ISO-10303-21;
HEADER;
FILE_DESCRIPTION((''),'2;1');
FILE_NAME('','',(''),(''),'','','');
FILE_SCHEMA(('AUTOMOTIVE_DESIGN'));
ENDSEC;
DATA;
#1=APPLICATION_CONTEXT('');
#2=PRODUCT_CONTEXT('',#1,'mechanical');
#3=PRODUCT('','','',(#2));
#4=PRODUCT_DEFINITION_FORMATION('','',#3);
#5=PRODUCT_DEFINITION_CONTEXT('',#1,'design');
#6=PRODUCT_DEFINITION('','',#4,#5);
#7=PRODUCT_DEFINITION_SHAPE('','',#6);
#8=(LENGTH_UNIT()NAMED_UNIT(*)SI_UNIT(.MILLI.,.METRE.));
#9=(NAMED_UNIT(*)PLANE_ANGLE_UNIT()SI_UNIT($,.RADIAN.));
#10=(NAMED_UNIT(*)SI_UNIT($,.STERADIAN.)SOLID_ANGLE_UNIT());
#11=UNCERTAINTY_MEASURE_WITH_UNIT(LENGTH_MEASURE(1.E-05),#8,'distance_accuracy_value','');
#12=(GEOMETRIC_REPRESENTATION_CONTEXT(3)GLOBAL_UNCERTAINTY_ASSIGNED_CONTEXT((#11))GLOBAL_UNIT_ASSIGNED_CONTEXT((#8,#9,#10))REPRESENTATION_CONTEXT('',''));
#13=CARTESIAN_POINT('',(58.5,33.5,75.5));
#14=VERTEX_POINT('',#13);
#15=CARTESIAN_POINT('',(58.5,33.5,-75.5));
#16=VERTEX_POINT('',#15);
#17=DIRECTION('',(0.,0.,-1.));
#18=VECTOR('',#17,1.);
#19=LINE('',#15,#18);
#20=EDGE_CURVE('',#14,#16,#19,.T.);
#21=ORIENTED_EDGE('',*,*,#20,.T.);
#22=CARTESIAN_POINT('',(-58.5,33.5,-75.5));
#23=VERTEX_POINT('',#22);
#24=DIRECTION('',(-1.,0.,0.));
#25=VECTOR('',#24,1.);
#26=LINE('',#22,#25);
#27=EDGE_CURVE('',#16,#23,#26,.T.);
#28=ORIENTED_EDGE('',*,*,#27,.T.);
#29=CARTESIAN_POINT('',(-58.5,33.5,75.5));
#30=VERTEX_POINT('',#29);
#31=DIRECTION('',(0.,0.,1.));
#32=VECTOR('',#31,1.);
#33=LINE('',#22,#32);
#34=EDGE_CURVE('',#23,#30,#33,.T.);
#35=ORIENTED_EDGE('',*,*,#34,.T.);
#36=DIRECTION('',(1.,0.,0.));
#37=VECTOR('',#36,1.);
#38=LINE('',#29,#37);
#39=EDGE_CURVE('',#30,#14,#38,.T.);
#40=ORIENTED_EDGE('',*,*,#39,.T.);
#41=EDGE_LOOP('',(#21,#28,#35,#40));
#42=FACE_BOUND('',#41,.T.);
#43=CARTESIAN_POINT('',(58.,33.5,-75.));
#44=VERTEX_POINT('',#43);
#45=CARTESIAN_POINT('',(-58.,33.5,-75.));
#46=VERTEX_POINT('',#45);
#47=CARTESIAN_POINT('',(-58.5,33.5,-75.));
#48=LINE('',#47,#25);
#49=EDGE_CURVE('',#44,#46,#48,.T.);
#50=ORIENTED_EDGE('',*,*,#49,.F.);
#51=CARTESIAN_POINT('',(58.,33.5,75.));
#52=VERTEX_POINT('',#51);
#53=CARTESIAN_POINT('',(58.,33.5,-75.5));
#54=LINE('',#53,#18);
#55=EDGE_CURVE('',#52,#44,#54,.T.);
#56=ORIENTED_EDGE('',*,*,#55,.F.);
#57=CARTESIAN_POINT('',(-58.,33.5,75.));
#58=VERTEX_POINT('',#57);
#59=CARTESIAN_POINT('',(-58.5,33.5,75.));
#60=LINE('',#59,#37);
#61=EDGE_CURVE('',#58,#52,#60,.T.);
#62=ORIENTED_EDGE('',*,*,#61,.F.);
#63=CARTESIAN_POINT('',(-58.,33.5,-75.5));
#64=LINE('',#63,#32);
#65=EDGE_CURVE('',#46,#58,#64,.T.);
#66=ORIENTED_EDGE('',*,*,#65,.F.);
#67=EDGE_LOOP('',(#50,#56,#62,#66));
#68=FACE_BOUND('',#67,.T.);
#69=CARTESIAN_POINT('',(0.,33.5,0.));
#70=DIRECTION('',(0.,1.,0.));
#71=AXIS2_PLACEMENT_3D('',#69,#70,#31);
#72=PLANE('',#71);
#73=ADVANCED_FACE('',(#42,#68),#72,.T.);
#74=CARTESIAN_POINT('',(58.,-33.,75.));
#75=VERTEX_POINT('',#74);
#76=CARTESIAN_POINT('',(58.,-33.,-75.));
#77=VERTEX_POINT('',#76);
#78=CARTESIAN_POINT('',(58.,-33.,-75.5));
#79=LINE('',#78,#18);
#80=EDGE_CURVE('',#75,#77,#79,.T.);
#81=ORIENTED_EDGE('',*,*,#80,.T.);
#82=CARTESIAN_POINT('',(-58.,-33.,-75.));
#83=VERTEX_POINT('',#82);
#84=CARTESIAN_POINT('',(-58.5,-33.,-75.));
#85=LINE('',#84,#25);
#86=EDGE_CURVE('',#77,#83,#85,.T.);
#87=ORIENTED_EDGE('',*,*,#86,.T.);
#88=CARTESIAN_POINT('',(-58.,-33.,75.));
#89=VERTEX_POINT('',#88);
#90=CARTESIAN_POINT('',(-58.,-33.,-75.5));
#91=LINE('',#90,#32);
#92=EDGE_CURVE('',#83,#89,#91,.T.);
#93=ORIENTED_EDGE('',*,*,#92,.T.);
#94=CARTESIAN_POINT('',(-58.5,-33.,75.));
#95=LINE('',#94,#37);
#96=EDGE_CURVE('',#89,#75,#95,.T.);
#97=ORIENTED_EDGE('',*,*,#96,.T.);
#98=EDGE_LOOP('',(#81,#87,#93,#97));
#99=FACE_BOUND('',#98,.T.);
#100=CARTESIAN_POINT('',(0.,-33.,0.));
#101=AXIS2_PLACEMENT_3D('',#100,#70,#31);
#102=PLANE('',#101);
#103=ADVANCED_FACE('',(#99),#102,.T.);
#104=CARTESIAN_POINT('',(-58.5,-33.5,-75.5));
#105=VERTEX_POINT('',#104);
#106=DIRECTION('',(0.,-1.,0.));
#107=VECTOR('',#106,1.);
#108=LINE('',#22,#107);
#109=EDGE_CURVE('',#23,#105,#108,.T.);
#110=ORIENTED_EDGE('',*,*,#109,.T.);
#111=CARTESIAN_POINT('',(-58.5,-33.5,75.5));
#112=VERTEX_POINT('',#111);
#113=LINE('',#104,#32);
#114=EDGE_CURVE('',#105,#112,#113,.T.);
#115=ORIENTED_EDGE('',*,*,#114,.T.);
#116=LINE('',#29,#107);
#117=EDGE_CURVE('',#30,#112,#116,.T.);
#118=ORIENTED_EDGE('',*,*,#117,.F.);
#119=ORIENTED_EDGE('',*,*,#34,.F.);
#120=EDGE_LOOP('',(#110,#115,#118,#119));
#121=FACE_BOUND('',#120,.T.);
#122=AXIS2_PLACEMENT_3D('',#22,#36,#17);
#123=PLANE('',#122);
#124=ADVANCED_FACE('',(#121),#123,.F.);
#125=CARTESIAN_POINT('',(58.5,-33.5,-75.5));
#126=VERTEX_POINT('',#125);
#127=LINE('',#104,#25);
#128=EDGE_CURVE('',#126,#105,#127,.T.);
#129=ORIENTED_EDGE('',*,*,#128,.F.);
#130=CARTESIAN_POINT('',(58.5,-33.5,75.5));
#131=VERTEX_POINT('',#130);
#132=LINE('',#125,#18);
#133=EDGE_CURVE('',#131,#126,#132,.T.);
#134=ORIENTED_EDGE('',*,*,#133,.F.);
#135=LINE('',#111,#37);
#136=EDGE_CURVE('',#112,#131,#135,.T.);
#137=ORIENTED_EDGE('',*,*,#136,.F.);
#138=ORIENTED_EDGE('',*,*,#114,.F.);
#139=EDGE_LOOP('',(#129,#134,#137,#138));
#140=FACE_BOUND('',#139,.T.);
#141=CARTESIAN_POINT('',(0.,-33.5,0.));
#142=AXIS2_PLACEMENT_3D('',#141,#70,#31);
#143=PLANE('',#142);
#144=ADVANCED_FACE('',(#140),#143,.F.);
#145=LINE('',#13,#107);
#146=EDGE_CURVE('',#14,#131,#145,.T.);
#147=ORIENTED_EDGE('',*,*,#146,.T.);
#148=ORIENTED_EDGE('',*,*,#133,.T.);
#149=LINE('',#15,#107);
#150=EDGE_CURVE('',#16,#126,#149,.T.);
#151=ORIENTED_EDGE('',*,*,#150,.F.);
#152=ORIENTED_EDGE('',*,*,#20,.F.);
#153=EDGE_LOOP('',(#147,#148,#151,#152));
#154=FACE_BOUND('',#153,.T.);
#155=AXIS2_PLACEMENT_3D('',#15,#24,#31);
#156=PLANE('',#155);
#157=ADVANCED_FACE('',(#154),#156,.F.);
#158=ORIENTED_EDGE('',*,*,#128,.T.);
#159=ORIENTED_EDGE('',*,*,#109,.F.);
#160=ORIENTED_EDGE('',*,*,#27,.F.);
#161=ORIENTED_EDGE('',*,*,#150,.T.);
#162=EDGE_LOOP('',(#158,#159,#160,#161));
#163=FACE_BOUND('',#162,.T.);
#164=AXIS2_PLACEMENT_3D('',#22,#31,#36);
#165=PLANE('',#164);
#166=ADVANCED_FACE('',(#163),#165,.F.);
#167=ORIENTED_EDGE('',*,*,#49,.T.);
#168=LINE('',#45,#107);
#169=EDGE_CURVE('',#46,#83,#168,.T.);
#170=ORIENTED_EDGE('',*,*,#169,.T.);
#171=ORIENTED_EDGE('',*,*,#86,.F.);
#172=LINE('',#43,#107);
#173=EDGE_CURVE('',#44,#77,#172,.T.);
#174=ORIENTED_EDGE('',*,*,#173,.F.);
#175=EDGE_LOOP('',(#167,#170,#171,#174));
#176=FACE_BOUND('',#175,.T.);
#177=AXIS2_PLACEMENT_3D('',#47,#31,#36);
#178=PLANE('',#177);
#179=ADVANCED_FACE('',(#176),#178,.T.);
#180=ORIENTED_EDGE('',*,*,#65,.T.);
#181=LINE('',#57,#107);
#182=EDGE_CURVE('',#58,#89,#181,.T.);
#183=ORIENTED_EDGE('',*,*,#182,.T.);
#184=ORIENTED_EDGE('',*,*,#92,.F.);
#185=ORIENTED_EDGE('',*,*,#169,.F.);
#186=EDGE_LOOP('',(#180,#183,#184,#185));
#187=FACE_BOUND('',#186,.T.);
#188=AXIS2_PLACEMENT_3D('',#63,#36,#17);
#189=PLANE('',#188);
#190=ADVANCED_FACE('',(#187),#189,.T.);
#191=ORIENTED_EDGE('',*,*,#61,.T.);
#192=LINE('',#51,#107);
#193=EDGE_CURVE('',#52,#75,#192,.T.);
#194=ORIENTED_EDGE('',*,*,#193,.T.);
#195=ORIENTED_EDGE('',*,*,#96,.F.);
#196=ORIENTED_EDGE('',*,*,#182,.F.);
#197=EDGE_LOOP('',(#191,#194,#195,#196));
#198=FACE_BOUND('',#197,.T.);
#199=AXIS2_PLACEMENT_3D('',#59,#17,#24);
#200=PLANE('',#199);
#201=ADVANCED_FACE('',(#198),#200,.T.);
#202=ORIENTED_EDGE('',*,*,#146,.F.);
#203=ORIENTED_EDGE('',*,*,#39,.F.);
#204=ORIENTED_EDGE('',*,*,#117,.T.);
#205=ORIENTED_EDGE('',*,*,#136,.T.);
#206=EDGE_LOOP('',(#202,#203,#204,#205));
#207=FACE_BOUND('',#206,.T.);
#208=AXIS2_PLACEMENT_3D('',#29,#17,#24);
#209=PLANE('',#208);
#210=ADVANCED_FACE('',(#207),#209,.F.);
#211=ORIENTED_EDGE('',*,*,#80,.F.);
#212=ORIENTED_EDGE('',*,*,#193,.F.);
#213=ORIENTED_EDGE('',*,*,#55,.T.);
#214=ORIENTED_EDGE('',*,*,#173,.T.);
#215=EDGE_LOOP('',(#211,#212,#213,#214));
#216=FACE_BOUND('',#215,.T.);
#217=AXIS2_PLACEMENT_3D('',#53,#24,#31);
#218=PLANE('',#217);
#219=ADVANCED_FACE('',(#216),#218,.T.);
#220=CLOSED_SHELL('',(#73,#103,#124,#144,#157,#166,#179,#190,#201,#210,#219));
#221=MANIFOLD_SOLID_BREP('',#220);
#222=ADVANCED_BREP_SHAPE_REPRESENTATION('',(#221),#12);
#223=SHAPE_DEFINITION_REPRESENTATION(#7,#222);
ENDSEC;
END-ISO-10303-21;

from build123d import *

# Parameters (mm, degrees)
SKETCH1_W           = 117
SKETCH1_H           = 151
BOSS_EXTRUDE1_DEPTH = 33.5
SHELL1_T            = -0.5


with BuildPart() as part:
    # Sketch1 → Boss-Extrude1 (new, symmetric)
    with BuildSketch(Plane(origin=(0, 0, 0), x_dir=(1, 0, 0), z_dir=(0, 1, 0))):
        Rectangle(SKETCH1_W, SKETCH1_H)
    extrude(amount=BOSS_EXTRUDE1_DEPTH, both=True)

    # Shell1
    shell1_openings = [part.faces().sort_by_distance(p)[0] for p in [
        (0, 33.5, 0),
    ]]
    offset(amount=SHELL1_T, openings=shell1_openings, kind=Kind.INTERSECTION)


solid = part.part
